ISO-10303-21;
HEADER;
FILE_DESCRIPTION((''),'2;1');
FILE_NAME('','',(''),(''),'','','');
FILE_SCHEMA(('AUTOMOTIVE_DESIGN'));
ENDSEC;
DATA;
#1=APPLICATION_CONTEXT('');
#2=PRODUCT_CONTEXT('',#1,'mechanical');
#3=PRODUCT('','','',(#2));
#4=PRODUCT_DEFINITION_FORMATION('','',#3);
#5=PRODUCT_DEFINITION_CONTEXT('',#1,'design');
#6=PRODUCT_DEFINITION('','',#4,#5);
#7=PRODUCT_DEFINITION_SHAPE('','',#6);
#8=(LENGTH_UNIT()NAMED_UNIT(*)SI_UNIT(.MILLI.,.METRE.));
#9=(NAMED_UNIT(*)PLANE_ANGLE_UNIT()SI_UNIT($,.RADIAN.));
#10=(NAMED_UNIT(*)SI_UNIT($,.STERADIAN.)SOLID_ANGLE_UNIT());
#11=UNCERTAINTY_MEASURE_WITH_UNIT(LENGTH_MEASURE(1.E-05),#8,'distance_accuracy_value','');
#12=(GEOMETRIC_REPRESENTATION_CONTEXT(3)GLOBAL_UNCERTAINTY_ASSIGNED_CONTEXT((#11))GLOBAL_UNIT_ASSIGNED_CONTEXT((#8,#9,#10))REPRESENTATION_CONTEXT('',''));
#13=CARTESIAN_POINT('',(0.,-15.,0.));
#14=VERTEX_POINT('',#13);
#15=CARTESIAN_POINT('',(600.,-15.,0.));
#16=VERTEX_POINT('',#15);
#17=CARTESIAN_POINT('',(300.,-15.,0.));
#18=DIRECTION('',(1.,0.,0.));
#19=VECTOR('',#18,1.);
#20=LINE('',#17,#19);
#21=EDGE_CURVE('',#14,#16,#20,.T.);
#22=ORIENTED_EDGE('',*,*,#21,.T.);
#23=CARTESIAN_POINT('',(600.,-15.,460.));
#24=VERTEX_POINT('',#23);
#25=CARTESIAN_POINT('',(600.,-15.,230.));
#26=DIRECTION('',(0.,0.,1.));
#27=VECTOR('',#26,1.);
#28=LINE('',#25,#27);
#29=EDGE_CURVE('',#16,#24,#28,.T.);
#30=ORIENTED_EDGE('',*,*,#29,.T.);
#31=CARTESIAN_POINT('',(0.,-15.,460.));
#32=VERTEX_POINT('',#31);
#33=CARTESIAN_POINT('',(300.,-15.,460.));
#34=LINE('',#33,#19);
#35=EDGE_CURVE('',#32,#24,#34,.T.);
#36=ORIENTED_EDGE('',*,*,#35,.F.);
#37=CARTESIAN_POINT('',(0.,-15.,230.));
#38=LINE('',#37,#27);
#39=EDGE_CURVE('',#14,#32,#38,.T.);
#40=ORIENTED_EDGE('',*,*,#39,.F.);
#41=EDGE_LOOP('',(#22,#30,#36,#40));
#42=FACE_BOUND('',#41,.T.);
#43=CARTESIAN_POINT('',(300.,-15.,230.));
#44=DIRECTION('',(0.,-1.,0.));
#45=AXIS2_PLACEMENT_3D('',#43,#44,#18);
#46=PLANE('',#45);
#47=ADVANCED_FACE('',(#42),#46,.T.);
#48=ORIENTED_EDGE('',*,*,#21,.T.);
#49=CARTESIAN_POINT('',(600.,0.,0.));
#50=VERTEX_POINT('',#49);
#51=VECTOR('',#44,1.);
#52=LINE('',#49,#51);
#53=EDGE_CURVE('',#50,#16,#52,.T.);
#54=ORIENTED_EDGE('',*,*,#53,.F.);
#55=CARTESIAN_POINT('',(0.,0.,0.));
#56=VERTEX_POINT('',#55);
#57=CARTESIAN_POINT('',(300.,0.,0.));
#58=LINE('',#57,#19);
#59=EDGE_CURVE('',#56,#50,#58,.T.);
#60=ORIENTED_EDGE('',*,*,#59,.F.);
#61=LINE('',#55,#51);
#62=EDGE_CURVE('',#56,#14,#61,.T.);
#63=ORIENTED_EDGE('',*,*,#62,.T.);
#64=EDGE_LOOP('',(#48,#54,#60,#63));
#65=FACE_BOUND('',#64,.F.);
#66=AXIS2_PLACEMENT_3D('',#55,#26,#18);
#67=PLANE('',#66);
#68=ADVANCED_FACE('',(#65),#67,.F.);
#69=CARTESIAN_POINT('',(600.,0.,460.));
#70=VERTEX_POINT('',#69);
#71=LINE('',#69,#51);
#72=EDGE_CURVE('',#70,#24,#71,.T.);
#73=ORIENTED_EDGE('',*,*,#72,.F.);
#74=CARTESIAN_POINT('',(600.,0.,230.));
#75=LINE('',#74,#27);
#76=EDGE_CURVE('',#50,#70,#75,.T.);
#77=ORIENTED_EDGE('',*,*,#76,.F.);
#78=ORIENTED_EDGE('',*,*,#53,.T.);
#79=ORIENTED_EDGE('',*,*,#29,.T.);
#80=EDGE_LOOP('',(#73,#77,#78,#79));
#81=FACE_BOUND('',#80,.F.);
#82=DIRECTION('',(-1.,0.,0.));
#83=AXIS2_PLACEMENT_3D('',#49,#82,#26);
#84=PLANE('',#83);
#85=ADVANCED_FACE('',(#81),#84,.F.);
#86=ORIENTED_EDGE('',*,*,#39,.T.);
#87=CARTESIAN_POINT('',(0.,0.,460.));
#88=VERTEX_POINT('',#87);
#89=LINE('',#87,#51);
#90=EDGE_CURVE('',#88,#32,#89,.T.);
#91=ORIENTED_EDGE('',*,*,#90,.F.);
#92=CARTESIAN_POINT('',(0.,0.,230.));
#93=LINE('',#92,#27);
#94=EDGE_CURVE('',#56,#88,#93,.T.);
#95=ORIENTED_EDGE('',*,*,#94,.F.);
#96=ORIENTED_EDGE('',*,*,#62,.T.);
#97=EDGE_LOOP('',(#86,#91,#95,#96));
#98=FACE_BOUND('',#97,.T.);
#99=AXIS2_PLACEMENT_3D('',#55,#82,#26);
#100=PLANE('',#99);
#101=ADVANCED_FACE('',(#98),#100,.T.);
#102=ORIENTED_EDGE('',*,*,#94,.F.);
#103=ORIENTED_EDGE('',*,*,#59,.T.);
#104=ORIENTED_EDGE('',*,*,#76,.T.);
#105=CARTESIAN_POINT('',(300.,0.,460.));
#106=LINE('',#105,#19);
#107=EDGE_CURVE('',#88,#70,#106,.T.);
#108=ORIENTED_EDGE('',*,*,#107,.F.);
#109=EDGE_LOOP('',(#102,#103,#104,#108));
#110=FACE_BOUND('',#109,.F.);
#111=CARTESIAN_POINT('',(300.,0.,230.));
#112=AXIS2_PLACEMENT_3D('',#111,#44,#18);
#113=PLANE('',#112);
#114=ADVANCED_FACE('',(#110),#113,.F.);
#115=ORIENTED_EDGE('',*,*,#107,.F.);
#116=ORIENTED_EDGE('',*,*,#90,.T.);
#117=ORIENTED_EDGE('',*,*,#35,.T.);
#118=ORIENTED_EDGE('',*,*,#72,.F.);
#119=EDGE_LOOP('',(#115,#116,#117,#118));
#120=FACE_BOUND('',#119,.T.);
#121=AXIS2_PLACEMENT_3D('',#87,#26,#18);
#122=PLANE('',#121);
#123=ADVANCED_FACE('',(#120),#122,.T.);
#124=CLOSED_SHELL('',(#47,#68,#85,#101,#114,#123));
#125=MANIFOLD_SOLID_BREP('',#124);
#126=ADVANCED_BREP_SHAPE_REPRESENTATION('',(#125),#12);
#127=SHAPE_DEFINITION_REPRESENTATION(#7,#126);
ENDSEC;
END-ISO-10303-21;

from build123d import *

# Parameters (mm, degrees)
SKETCH_W  = 600
SKETCH_H  = 460
PAD_DEPTH = 15


with BuildPart() as part:
    # Sketch → Pad (new body)
    with BuildSketch(Plane.XZ):
        with Locations((300, 230)):
            Rectangle(SKETCH_W, SKETCH_H)
    extrude(amount=PAD_DEPTH)


solid = part.part
